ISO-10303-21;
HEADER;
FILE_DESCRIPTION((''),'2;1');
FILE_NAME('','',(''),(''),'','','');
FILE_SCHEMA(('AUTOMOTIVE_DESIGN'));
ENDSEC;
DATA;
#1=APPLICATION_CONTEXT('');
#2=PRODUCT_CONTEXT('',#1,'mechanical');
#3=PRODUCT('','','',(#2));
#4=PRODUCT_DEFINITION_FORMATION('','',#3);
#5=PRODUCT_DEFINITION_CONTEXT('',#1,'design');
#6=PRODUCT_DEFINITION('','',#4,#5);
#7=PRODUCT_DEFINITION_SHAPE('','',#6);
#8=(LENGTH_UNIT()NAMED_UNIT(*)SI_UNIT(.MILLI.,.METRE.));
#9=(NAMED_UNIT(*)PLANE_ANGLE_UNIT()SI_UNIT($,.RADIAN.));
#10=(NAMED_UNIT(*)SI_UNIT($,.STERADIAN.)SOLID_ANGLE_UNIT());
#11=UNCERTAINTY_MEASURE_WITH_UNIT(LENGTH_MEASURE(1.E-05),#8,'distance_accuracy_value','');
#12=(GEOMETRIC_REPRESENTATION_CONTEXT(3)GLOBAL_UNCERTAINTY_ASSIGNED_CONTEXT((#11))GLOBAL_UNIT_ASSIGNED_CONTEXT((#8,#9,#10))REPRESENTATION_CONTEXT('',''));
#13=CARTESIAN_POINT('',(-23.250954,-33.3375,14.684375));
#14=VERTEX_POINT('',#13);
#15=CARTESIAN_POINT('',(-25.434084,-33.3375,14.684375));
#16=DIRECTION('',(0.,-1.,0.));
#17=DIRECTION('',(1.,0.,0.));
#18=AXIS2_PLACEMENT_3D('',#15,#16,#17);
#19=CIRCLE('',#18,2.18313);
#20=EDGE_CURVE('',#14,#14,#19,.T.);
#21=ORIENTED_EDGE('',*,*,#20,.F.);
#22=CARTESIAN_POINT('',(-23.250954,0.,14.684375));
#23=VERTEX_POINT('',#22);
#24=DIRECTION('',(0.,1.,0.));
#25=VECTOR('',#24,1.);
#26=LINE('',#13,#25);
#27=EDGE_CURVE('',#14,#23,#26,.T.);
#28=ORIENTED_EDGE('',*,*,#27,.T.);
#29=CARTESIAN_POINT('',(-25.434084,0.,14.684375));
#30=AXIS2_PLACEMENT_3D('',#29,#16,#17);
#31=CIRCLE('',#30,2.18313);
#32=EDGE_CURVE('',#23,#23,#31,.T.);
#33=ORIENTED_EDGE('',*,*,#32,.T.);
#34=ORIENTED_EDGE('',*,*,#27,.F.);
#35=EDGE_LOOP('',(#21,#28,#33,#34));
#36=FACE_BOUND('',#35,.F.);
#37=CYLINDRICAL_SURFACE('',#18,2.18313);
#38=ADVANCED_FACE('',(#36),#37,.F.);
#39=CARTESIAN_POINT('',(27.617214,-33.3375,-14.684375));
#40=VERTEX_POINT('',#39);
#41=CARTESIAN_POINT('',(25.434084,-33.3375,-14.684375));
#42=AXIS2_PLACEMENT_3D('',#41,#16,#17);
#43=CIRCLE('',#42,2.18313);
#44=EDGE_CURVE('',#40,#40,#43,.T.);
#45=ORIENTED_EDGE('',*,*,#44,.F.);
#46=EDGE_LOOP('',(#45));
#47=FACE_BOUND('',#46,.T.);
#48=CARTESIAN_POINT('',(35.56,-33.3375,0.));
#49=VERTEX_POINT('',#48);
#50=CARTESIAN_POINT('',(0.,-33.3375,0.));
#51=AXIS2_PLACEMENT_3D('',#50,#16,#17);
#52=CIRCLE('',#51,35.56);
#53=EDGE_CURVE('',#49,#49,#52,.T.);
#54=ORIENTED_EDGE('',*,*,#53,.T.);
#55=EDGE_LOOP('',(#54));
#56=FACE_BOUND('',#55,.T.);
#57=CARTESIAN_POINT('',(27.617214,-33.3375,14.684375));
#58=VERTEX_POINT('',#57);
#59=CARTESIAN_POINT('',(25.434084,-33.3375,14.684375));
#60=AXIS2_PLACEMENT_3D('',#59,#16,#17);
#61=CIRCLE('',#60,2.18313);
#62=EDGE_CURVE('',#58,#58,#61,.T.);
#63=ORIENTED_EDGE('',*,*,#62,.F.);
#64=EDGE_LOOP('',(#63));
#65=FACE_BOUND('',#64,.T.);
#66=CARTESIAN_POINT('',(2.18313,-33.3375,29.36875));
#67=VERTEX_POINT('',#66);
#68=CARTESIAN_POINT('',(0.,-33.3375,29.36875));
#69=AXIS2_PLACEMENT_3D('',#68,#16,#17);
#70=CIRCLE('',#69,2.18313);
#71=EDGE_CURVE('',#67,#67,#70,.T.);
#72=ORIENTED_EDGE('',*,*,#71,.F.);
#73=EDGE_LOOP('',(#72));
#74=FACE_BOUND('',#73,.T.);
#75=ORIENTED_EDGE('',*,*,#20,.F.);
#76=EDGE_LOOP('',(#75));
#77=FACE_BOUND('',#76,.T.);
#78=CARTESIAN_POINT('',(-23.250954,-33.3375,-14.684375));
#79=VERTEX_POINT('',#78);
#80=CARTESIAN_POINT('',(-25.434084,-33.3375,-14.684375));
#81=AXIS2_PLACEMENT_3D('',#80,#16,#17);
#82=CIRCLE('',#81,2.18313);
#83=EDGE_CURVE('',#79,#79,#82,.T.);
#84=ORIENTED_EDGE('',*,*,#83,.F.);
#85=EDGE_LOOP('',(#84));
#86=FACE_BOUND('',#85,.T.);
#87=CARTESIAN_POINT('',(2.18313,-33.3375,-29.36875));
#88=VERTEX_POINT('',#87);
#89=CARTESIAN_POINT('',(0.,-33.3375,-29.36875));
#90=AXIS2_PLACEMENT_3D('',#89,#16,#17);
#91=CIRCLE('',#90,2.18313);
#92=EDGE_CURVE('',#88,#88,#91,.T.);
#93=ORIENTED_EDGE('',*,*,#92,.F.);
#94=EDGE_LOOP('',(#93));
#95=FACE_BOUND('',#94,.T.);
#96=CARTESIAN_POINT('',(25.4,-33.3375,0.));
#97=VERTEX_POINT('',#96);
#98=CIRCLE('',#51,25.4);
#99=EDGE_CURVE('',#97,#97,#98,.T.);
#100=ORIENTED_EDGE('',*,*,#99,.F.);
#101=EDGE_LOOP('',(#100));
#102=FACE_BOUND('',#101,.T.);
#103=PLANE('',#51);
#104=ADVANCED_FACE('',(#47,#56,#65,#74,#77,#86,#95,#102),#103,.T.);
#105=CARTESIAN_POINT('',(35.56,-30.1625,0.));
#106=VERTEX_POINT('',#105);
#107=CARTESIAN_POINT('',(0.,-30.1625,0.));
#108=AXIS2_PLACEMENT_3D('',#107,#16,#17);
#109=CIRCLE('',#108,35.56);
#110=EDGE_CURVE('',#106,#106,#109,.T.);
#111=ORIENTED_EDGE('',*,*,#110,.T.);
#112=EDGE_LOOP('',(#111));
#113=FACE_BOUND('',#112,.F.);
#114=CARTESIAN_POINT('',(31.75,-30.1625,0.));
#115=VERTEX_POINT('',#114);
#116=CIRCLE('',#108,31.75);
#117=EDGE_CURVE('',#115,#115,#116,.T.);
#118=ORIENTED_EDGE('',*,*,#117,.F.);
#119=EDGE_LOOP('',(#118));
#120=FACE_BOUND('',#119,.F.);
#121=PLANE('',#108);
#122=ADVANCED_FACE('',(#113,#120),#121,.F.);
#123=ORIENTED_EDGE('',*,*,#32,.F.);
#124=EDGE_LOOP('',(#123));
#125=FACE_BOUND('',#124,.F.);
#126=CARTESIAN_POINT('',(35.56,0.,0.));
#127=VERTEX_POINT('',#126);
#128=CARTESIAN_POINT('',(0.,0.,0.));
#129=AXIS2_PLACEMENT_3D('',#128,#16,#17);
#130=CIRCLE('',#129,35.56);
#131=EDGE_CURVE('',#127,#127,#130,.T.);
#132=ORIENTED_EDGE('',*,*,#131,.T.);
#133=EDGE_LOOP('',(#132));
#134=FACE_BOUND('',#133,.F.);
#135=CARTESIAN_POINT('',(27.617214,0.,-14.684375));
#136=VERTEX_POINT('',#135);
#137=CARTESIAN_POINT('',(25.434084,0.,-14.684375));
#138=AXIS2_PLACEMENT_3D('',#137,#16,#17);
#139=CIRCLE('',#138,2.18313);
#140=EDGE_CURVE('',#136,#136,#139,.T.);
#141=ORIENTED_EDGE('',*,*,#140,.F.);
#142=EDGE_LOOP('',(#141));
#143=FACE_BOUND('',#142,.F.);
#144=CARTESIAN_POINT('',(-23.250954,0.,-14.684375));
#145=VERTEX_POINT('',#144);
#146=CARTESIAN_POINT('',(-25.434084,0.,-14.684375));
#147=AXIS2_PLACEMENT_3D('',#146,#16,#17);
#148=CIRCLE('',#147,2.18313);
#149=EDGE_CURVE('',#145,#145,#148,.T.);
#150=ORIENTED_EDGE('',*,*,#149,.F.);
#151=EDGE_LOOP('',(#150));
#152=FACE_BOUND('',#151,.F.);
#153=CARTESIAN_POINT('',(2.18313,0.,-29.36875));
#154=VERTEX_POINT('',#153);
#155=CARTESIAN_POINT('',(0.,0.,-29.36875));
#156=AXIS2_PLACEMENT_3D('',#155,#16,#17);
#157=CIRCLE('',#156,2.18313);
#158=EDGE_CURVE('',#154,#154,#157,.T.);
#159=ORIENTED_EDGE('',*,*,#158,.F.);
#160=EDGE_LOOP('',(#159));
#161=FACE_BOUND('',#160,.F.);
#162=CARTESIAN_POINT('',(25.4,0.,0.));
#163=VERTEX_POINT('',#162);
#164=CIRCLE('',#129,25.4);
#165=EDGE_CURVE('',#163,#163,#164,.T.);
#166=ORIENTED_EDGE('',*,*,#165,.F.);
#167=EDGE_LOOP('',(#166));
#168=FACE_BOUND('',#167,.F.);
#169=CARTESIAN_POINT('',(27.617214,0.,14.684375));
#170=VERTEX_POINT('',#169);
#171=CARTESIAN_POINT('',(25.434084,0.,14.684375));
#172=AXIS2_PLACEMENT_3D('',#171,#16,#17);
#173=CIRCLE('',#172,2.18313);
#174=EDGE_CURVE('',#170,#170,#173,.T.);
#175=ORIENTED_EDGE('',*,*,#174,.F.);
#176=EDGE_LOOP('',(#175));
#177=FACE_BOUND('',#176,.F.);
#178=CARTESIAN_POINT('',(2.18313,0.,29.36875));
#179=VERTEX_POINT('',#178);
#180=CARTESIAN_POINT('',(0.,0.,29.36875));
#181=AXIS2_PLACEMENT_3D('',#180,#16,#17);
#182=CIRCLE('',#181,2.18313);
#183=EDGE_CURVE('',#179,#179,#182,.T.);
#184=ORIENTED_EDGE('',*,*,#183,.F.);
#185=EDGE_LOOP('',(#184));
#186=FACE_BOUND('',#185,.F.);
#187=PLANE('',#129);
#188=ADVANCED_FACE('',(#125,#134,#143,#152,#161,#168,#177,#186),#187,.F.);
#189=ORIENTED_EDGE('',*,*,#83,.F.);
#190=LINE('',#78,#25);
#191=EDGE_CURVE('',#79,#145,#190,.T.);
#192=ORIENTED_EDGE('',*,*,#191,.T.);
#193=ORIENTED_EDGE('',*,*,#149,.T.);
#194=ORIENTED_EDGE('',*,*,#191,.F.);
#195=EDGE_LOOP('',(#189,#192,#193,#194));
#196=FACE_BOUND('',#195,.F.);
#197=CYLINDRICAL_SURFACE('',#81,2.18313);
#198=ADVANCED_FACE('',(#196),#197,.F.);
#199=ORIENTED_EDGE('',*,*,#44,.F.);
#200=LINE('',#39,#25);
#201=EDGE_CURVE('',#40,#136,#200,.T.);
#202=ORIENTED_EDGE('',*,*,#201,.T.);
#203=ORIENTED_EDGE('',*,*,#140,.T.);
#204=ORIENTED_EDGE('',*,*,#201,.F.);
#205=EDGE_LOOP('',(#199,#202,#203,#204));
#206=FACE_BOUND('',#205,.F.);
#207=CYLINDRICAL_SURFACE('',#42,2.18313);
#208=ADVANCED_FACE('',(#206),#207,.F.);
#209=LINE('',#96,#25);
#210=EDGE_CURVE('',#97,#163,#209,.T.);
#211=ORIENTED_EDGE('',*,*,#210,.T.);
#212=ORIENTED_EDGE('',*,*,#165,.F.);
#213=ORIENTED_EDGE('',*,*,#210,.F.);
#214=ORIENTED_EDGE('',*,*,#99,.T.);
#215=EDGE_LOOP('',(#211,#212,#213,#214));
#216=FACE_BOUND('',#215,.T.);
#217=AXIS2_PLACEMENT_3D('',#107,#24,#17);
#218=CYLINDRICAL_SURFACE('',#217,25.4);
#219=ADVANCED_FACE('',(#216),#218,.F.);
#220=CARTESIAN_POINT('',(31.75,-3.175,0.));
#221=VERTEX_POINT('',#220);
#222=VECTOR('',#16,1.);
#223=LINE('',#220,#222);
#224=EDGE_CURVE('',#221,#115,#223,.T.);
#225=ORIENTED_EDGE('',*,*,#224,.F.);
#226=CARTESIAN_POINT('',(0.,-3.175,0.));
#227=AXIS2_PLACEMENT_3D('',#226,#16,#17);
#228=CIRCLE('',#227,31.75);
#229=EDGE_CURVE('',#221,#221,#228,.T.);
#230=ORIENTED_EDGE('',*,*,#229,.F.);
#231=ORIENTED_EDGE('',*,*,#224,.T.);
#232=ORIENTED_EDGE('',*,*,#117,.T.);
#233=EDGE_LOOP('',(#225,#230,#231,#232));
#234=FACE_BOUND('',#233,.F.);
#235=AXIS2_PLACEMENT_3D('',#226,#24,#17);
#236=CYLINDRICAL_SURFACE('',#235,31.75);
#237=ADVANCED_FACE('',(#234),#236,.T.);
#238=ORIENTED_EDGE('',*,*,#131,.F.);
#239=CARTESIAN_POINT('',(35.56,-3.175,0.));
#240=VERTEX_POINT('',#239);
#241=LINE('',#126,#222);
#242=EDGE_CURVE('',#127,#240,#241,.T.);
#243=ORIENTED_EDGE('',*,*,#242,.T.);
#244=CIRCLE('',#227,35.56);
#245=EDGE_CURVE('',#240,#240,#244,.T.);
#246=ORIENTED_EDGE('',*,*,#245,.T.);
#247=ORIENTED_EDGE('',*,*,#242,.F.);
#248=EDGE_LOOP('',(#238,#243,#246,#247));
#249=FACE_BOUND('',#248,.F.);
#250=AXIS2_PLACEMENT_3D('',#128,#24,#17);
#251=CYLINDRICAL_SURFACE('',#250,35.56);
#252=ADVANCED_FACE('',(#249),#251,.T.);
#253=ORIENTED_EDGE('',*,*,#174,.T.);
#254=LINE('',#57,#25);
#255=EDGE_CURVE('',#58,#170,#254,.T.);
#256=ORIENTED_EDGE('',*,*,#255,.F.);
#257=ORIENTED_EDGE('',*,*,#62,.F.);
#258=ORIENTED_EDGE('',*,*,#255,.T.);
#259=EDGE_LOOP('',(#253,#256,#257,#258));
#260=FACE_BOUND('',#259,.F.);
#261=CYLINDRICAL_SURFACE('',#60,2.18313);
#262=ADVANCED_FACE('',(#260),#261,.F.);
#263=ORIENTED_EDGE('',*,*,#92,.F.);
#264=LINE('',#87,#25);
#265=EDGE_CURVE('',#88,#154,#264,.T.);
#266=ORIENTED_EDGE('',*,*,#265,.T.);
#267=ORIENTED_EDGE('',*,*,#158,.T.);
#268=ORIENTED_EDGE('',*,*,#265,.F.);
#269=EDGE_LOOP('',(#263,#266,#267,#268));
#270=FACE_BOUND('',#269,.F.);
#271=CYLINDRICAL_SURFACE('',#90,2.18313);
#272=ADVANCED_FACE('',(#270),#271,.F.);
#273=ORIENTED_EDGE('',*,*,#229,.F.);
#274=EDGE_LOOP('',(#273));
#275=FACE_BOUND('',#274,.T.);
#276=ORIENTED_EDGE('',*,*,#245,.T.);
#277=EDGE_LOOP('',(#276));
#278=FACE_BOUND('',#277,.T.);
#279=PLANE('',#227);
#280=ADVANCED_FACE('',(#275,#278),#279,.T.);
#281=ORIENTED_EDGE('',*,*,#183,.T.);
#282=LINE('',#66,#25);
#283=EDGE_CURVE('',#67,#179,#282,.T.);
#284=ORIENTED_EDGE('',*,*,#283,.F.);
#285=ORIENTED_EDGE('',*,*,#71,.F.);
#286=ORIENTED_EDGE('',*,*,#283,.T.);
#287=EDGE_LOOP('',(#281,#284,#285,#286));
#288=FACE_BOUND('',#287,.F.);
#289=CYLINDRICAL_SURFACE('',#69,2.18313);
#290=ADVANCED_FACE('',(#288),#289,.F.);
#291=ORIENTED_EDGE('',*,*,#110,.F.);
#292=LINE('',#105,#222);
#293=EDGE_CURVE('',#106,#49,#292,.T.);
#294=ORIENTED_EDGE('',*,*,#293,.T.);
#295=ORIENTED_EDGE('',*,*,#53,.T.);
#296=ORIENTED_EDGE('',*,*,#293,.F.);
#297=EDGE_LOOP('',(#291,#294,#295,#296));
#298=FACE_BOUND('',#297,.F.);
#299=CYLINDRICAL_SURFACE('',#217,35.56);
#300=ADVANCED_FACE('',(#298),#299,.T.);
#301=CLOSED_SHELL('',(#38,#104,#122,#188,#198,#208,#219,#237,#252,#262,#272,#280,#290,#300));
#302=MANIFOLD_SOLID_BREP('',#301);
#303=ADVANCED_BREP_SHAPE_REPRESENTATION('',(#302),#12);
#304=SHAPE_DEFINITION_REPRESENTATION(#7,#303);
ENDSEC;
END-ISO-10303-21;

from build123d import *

# Parameters (mm, degrees)
F0_R     = 35.56
F0_R_2   = 25.4
F1_DEPTH = 3.175
F2_R     = 31.75
F2_R_2   = 25.4
F3_DEPTH = 26.9875
F4_R     = 35.56
F4_R_2   = 25.4
F5_DEPTH = 3.175
F6_R     = 2.18313
F7_DEPTH = 33.3385


with BuildPart() as f1:
    # F0 (on Front) → F1 (new body)
    with BuildSketch(Plane.XZ):
        Circle(F0_R)
        Circle(F0_R_2, mode=Mode.SUBTRACT)
    extrude(amount=F1_DEPTH)

    # F2 (on face) → F3 (join)
    with BuildSketch(Plane.XZ.offset(3.175)):
        Circle(F2_R)
        Circle(F2_R_2, mode=Mode.SUBTRACT)
    extrude(amount=F3_DEPTH)

    # F4 (on face) → F5 (join)
    with BuildSketch(Plane.XZ.offset(30.1625)):
        Circle(F4_R)
        Circle(F4_R_2, mode=Mode.SUBTRACT)
    extrude(amount=F5_DEPTH)

    # F6 (on face) → F7 (cut, through all)
    with BuildSketch(Plane.XZ.offset(33.3375)):
        with Locations((0, 29.36875)):
            Circle(F6_R)
        with Locations((-25.434084, 14.684375)):
            Circle(F6_R)
        with Locations((-25.434084, -14.684375)):
            Circle(F6_R)
        with Locations((0, -29.36875)):
            Circle(F6_R)
        with Locations((25.434084, -14.684375)):
            Circle(F6_R)
        with Locations((25.434084, 14.684375)):
            Circle(F6_R)
    extrude(amount=-F7_DEPTH, mode=Mode.SUBTRACT)


solid = f1.part
